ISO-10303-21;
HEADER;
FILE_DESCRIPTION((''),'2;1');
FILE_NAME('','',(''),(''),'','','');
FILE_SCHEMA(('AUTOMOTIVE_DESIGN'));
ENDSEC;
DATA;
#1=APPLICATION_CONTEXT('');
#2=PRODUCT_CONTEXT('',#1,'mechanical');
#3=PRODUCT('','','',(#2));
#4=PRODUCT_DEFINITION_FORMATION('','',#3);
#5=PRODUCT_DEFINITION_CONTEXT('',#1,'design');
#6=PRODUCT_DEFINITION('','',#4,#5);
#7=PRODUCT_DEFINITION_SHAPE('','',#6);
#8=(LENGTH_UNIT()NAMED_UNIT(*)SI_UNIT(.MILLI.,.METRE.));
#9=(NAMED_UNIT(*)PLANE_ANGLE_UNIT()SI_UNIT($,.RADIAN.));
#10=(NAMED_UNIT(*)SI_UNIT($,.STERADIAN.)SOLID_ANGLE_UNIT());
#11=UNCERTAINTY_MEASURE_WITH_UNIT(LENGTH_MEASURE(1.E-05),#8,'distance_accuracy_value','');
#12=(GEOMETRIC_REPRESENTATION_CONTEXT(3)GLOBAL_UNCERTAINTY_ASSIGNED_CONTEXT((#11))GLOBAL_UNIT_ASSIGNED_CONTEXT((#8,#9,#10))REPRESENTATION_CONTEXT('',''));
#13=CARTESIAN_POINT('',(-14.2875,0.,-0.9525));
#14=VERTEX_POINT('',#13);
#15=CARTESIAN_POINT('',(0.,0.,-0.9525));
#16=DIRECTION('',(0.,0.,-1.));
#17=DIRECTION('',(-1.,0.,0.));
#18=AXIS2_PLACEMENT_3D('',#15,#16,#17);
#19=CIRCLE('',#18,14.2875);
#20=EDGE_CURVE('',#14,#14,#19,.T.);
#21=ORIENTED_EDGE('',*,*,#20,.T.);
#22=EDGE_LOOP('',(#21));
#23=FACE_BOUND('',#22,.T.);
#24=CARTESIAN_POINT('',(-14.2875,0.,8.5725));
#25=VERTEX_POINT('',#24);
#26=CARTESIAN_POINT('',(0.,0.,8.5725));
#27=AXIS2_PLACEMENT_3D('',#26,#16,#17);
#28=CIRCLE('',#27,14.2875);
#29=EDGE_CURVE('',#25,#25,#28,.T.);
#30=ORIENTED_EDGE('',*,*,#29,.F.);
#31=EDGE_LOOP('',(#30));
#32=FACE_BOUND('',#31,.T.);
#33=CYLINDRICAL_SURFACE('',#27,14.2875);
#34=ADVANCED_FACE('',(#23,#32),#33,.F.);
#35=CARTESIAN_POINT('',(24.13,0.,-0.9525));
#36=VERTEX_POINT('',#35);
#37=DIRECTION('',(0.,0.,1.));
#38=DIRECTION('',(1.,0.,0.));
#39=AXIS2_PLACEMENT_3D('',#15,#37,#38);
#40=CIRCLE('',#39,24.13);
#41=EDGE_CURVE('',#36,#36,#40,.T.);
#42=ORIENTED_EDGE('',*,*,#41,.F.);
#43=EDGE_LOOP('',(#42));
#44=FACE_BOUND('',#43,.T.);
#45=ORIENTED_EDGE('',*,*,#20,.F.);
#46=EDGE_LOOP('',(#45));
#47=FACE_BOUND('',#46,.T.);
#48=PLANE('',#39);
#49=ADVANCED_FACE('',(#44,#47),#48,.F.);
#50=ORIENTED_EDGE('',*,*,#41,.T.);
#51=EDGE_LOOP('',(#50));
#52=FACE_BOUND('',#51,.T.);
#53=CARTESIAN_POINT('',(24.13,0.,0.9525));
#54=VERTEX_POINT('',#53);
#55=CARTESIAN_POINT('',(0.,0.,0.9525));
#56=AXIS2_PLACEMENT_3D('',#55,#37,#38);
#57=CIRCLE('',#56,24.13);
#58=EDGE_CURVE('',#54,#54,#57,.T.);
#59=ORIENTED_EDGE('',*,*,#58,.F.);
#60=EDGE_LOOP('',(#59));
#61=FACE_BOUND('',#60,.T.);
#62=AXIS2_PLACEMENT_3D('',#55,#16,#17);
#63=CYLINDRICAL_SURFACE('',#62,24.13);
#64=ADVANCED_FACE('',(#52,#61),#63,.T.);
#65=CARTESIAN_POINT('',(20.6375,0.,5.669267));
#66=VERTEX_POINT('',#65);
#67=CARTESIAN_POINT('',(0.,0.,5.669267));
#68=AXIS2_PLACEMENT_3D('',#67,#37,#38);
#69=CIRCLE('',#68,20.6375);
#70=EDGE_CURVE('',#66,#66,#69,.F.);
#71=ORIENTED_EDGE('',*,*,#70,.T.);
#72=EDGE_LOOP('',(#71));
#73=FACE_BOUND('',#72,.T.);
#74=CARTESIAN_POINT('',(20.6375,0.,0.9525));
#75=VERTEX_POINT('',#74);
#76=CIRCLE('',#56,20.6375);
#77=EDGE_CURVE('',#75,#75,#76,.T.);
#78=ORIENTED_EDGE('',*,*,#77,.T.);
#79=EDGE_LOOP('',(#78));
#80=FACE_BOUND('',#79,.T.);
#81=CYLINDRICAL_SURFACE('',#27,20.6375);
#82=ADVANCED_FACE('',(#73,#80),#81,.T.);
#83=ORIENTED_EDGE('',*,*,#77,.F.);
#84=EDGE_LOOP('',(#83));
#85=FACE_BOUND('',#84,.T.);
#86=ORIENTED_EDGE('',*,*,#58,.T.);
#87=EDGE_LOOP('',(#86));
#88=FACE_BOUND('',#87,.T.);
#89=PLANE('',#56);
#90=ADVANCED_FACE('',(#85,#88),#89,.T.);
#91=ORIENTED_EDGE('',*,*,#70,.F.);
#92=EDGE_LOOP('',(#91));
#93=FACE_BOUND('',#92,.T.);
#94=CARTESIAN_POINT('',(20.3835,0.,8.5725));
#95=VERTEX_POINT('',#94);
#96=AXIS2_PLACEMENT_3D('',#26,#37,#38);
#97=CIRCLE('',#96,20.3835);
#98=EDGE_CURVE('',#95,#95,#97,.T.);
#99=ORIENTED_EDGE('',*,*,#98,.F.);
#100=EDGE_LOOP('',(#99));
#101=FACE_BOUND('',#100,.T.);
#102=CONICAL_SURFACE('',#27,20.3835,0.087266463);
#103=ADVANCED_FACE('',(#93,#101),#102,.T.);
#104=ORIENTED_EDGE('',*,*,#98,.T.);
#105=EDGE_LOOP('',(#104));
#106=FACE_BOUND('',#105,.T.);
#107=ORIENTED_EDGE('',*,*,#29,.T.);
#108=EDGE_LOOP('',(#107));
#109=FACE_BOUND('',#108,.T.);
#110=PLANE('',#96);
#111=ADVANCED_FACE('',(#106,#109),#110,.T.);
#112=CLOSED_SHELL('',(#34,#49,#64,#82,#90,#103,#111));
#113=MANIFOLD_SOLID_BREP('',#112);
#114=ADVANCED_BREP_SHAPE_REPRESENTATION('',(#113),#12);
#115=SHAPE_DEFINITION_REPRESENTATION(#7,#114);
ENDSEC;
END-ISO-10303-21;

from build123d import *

# Parameters (mm, degrees)
SKETCH1_R           = 24.13
BOSS_EXTRUDE1_DEPTH = 0.9525
SKETCH2_R           = 20.6375
BOSS_EXTRUDE2_DEPTH = 7.62
SKETCH4_R           = 14.2875
CUT_EXTRUDE1_DEPTH  = 10.525
CHAMFER1_SIZE       = 0.254
CHAMFER1_SIZE2      = 2.903233285


with BuildPart() as part:
    # Sketch1 → Boss-Extrude1 (new body, symmetric)
    with BuildSketch(Plane.XY):
        Circle(SKETCH1_R)
    extrude(amount=BOSS_EXTRUDE1_DEPTH, both=True)

    # Sketch2 → Boss-Extrude2 (add)
    with BuildSketch(Plane.XY.offset(0.9525)):
        Circle(SKETCH2_R)
    extrude(amount=BOSS_EXTRUDE2_DEPTH)

    # Sketch4 → Cut-Extrude1 (cut, through all)
    with BuildSketch(Plane(origin=(0, 0, -0.9525), x_dir=(-1, 0, 0), z_dir=(0, 0, -1))):
        Circle(SKETCH4_R)
    extrude(amount=-CUT_EXTRUDE1_DEPTH, mode=Mode.SUBTRACT)

    # Chamfer1
    chamfer1_edges = [part.edges().sort_by_distance(p)[0] for p in [
        (-20.6375, 0, 8.5725),
    ]]
    chamfer1_side = [part.faces().sort_by_distance(p)[0] for p in [
        (-20.053783352, 0, 8.5725),
    ]]
    chamfer(chamfer1_edges, length=CHAMFER1_SIZE, length2=CHAMFER1_SIZE2, reference=chamfer1_side[0])


solid = part.part
